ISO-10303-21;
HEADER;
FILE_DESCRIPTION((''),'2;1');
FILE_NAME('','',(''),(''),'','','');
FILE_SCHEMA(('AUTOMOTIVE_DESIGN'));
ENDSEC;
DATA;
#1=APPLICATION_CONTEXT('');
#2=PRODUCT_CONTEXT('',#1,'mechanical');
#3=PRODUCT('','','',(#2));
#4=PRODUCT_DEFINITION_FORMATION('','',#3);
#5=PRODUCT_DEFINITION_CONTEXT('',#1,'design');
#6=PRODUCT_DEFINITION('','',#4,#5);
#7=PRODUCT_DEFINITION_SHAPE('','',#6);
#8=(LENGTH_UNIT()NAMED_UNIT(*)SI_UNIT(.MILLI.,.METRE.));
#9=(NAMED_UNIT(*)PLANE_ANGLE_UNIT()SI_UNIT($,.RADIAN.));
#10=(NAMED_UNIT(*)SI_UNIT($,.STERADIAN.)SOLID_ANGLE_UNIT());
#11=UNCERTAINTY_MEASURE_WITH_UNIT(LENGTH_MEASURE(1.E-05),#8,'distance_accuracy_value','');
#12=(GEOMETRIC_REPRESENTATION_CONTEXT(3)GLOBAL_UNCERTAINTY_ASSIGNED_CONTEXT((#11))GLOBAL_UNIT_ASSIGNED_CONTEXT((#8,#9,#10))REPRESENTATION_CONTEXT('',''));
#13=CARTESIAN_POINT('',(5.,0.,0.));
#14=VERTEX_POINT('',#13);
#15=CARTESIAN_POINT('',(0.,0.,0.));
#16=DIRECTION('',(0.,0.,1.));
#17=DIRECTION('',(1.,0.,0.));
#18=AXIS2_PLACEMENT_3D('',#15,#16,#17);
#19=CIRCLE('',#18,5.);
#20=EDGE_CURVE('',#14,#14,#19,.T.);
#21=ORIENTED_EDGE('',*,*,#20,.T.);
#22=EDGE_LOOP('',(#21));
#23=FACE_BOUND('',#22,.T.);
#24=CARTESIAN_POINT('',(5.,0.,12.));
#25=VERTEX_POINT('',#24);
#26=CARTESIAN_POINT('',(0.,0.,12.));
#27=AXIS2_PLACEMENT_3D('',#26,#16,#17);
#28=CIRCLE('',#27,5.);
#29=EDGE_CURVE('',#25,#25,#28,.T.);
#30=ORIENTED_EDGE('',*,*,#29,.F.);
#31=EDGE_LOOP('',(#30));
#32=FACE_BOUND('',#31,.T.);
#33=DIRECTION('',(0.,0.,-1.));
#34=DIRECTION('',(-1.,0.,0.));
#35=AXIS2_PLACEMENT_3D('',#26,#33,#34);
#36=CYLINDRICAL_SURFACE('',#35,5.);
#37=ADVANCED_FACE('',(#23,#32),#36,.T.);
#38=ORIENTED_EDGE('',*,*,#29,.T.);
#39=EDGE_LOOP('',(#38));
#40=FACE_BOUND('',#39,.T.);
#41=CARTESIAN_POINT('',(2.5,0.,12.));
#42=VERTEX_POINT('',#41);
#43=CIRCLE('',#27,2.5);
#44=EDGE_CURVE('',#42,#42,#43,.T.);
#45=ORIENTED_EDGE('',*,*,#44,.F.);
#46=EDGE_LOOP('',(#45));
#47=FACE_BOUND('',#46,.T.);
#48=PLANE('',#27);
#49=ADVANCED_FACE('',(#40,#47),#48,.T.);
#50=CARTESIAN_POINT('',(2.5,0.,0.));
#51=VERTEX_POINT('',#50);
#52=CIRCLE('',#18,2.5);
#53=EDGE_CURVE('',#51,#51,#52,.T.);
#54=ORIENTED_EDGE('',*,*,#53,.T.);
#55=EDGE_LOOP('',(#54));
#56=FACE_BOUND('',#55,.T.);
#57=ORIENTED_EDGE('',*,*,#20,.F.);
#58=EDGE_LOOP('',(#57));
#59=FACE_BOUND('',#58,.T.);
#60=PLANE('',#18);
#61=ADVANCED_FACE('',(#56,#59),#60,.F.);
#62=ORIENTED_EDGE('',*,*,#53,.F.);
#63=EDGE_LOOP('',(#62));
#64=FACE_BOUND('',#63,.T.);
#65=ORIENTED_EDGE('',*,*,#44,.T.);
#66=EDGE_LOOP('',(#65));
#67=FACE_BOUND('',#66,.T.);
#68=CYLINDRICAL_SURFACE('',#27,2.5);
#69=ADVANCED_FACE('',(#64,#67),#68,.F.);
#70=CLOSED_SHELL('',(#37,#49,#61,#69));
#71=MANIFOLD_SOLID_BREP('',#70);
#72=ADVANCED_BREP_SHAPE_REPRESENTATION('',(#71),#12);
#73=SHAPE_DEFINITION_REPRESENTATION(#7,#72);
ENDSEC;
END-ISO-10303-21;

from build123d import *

# Parameters (mm, degrees)
SKETCH1_R                 = 5
BOSS_EXTRUDE1_DEPTH       = 12
F_5_0MM_DOWEL_HOLE1_D     = 5
F_5_0MM_DOWEL_HOLE1_DEPTH = 12


with BuildPart() as part:
    # Sketch1 → Boss-Extrude1 (new body)
    with BuildSketch(Plane.XY):
        Circle(SKETCH1_R)
    extrude(amount=BOSS_EXTRUDE1_DEPTH)

    # Ø5.0mm Dowel Hole1
    with Locations(Plane.XY.offset(12)):
        with Locations((0, 0)):
            Hole(F_5_0MM_DOWEL_HOLE1_D / 2, depth=F_5_0MM_DOWEL_HOLE1_DEPTH)


solid = part.part
